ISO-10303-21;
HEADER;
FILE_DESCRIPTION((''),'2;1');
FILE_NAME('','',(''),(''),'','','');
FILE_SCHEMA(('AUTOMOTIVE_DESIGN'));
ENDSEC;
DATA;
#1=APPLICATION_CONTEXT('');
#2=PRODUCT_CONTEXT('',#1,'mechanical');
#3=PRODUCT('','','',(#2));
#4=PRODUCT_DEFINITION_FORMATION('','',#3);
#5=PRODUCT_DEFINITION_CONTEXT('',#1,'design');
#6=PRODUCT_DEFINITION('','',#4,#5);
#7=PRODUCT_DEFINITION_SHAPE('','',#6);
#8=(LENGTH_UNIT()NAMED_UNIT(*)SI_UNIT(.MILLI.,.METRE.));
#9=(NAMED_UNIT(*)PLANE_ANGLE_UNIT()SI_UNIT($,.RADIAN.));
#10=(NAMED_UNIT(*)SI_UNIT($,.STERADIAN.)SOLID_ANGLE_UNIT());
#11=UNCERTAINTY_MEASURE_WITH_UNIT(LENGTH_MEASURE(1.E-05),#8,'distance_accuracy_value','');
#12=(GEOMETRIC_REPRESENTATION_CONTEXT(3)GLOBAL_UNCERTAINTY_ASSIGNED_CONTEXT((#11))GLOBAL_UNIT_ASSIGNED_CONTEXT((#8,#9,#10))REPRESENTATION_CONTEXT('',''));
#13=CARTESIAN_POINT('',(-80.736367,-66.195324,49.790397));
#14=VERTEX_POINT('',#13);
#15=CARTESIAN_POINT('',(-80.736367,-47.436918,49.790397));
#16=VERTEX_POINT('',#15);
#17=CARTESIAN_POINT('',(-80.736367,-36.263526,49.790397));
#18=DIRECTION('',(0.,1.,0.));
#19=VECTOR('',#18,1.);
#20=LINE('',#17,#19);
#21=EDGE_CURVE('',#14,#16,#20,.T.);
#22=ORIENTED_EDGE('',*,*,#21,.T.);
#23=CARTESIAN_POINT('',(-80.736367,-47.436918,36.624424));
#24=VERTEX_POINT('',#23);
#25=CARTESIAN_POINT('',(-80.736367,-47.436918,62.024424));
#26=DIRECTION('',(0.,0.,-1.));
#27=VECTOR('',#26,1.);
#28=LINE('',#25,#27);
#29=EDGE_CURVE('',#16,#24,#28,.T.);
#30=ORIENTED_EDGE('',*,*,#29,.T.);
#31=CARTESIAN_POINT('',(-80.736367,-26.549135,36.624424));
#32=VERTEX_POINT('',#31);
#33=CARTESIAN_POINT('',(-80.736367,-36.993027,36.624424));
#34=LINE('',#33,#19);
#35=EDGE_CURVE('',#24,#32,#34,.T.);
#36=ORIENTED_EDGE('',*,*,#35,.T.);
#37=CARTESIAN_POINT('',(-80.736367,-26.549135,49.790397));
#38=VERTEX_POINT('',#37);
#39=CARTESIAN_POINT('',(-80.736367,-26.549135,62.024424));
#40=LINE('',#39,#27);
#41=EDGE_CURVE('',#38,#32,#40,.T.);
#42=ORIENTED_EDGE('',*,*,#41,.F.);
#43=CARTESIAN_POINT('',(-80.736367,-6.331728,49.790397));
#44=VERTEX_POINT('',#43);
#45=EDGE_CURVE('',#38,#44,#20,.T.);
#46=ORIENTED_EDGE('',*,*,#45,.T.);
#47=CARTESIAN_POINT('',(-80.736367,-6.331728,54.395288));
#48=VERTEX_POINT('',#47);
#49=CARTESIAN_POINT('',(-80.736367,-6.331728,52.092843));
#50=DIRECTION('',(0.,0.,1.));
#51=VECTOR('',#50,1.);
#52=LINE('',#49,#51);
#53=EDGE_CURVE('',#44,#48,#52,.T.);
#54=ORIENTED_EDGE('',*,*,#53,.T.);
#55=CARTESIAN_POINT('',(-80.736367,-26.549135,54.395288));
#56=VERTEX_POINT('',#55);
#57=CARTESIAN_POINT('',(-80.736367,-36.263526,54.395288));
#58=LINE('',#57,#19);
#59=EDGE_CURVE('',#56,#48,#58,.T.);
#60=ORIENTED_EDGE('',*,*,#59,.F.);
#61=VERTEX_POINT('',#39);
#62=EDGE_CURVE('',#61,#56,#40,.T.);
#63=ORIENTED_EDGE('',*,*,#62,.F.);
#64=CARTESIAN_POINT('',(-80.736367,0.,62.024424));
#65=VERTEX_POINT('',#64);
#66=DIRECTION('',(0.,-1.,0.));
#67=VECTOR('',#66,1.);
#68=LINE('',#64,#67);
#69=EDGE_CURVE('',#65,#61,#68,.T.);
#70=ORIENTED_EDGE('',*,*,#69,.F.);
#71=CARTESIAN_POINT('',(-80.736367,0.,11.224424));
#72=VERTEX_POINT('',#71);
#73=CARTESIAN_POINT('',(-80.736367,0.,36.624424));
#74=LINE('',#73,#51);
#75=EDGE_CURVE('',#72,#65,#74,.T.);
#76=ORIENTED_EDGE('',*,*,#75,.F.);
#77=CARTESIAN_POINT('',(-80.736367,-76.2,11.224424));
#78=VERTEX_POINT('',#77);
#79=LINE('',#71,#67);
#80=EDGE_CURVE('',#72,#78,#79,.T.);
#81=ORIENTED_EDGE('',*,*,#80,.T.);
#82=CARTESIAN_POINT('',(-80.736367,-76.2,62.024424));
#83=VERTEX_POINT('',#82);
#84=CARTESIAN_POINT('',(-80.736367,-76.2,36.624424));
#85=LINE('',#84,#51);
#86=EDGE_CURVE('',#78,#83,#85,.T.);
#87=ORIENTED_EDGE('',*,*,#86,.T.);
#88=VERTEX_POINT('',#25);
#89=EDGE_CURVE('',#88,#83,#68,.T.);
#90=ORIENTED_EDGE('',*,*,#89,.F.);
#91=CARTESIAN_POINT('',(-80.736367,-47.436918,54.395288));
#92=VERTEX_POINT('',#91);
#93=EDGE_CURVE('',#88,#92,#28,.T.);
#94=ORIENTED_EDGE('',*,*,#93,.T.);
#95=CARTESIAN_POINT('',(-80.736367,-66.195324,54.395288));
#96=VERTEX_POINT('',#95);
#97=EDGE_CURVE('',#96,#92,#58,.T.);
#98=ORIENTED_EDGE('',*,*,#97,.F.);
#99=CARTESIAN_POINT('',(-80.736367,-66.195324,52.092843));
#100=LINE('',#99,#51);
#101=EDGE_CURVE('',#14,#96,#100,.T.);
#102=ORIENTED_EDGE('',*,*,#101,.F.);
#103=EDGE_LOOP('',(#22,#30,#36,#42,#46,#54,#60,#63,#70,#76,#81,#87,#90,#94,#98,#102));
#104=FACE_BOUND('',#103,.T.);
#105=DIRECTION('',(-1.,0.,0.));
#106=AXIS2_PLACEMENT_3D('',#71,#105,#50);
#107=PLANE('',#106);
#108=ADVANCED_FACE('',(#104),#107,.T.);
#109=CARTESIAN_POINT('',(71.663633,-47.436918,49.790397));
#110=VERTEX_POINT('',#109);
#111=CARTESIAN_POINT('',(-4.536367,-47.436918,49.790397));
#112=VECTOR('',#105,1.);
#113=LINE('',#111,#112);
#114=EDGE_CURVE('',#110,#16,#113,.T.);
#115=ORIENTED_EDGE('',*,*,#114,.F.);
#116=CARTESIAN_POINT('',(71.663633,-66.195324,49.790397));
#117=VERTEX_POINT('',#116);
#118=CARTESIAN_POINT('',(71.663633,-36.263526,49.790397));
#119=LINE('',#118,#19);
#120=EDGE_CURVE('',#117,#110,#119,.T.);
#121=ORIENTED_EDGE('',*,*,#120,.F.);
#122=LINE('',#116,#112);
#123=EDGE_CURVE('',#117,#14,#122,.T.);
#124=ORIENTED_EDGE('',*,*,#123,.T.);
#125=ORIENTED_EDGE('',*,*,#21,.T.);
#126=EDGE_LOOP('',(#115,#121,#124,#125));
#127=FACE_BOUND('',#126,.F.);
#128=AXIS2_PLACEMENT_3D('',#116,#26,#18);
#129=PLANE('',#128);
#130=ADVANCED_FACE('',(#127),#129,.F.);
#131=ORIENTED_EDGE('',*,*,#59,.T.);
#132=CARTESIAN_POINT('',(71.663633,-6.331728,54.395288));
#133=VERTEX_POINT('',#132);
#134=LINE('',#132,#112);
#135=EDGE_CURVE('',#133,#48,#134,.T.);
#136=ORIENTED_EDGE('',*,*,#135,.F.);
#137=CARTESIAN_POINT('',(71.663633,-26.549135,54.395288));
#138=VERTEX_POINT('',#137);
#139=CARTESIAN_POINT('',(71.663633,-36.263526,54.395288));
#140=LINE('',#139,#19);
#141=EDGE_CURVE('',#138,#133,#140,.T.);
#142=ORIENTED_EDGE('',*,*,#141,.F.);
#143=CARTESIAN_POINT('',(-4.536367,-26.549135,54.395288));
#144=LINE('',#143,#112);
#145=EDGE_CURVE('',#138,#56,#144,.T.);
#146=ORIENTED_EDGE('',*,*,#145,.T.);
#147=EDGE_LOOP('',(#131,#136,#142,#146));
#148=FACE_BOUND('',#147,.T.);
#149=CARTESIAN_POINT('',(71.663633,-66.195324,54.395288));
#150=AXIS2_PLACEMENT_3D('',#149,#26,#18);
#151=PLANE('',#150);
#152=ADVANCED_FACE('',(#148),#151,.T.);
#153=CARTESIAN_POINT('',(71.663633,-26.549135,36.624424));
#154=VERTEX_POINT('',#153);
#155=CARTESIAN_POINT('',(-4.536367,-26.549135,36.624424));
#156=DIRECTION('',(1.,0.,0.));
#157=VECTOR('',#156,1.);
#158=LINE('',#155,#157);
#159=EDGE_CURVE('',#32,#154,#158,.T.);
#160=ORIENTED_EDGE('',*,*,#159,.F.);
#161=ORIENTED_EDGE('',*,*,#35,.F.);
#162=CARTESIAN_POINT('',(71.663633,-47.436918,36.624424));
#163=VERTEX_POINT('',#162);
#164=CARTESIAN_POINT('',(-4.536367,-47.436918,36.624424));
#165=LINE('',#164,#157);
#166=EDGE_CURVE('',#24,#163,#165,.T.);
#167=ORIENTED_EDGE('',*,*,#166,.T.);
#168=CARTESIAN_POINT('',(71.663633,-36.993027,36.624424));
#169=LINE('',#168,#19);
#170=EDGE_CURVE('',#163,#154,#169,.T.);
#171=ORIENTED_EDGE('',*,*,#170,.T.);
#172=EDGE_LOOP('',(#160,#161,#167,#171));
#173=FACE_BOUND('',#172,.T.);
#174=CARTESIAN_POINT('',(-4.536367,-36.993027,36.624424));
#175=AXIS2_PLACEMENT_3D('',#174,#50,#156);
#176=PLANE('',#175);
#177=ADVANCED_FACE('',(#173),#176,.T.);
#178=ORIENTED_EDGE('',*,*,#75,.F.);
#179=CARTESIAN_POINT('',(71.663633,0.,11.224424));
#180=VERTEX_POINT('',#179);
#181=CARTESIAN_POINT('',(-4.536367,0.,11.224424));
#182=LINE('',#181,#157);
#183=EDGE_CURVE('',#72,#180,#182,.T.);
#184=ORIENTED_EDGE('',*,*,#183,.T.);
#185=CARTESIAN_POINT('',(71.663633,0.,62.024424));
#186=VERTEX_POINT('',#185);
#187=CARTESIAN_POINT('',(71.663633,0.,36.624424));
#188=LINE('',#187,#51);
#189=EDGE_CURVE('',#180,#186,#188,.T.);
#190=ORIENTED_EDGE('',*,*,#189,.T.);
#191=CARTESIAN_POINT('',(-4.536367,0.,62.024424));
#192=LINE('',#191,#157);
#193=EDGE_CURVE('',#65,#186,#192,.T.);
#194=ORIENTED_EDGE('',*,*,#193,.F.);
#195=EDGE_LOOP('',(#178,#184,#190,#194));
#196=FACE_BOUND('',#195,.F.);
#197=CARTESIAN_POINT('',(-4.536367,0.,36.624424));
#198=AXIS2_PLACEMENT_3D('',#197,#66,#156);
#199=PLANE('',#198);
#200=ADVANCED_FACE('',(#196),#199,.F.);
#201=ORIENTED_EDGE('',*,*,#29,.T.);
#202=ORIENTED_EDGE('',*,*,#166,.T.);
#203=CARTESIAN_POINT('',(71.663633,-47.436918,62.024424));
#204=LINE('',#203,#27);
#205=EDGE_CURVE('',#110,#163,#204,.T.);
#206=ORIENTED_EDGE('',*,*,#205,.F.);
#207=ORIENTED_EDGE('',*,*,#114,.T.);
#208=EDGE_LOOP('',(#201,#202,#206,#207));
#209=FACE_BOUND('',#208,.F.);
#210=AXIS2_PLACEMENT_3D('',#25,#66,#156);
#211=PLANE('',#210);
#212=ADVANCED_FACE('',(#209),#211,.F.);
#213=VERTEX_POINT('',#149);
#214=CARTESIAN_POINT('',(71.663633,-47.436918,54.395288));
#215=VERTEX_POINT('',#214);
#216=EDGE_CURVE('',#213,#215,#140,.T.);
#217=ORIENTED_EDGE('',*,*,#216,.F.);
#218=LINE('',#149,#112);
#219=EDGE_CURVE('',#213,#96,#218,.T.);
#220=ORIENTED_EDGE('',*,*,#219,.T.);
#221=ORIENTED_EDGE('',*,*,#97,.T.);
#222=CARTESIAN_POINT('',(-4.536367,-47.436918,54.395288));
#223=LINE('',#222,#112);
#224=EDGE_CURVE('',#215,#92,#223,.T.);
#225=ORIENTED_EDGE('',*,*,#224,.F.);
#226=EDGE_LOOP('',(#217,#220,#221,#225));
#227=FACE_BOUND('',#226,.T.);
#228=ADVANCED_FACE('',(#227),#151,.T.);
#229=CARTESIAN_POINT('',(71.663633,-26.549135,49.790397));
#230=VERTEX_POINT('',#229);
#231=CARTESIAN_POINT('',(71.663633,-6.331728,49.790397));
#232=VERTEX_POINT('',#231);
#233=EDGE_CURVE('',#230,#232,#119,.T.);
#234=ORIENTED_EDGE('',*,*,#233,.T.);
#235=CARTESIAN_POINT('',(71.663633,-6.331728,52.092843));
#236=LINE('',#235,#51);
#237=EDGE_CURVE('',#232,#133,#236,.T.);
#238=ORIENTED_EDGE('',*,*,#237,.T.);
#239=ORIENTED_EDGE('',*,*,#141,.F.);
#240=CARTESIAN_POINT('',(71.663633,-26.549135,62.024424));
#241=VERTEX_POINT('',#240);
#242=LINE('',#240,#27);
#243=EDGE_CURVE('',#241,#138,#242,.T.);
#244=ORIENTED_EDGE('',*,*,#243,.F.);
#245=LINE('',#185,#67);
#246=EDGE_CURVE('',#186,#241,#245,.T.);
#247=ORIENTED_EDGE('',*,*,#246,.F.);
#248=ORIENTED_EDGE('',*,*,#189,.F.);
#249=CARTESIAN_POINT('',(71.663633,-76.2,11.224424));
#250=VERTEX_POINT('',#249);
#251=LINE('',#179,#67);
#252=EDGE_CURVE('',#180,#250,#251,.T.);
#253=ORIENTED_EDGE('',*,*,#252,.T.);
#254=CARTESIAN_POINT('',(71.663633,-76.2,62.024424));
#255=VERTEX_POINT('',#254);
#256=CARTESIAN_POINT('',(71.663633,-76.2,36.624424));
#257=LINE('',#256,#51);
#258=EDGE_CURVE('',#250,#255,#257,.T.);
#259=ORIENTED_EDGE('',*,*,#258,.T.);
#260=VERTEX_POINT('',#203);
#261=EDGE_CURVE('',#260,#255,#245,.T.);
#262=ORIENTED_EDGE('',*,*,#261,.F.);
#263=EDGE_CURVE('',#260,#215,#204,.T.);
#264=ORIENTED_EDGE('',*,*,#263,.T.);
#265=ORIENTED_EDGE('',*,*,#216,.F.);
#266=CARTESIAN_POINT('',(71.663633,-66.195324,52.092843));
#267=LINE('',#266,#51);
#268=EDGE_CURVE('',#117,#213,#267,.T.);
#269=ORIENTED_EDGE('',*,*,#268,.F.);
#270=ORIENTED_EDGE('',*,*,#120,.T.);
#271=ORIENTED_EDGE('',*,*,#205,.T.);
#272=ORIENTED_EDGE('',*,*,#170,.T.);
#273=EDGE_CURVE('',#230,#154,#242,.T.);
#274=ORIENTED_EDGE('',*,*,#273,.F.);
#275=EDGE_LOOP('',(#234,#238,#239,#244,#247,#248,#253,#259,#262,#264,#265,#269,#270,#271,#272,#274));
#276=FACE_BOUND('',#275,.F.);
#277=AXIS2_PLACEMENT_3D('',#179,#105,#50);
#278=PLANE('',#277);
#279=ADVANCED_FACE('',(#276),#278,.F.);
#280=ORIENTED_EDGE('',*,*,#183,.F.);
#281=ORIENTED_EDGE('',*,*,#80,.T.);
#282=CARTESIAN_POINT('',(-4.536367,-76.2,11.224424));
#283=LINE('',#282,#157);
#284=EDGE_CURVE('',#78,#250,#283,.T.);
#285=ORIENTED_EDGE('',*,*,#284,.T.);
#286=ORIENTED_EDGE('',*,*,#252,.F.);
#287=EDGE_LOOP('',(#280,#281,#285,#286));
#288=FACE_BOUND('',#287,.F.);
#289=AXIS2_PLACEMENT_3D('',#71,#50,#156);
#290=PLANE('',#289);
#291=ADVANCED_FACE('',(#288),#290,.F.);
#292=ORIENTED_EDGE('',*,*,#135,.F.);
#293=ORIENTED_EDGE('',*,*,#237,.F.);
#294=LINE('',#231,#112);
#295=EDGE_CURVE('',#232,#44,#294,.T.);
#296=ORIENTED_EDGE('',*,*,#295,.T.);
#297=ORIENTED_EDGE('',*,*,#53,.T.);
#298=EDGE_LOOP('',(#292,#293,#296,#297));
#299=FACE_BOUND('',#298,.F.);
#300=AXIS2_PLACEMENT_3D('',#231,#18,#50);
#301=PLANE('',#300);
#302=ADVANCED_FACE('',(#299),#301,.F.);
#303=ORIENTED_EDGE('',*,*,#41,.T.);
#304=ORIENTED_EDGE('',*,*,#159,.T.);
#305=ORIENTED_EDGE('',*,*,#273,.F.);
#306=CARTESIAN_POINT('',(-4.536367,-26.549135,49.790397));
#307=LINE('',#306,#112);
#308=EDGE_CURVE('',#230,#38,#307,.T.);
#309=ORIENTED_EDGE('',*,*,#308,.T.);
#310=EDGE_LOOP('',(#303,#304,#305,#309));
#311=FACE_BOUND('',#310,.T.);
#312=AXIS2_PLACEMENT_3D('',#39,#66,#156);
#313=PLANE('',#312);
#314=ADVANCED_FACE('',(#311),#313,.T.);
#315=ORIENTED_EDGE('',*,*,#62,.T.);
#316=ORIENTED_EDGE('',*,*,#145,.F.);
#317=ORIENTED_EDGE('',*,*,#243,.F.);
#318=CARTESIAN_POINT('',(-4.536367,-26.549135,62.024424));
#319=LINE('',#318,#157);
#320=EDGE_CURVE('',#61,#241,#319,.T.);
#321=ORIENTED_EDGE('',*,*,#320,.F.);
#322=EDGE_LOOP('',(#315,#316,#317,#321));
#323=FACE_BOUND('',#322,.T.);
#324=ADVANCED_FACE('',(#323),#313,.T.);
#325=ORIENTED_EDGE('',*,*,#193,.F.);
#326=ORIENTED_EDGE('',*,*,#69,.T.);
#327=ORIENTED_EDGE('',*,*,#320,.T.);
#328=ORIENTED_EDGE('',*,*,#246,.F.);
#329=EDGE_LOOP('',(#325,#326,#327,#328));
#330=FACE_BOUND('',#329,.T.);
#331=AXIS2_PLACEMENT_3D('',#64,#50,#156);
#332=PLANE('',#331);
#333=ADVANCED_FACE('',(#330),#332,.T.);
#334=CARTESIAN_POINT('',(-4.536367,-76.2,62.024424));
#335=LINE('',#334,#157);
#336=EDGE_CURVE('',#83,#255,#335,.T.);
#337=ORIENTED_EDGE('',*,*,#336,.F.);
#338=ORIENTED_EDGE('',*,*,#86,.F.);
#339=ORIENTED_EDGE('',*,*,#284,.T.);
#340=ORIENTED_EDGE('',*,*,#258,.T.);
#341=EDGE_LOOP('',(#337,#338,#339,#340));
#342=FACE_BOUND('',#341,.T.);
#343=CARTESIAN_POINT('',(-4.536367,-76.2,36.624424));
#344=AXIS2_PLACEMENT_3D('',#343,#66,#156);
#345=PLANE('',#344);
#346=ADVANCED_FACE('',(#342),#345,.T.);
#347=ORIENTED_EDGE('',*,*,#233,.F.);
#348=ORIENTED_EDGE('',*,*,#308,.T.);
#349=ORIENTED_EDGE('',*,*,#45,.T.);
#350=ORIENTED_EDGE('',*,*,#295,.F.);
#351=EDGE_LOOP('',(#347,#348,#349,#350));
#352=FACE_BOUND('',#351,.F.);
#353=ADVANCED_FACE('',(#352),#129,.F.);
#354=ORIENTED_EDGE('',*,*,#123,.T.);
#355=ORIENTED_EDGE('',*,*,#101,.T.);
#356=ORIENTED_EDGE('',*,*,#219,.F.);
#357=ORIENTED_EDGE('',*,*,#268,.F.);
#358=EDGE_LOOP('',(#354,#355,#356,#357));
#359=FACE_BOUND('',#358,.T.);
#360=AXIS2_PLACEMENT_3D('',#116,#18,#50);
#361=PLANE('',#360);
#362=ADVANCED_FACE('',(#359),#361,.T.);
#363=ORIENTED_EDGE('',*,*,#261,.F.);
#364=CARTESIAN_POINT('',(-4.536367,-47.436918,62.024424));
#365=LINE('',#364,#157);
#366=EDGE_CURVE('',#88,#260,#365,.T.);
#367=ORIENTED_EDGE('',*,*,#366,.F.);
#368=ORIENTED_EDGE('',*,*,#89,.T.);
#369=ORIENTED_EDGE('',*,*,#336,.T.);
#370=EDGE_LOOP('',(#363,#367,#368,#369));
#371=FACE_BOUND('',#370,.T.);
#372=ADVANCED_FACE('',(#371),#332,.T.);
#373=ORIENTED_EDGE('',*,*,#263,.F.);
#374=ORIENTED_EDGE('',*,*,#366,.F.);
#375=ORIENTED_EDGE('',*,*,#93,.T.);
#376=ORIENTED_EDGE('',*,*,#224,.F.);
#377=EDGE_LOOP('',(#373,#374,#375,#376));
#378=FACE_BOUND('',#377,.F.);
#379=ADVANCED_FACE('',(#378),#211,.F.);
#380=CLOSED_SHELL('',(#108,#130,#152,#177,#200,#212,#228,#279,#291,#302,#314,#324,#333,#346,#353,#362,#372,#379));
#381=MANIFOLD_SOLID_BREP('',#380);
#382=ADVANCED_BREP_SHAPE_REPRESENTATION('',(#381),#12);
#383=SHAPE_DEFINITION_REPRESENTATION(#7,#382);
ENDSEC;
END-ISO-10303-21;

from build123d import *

# Parameters (mm, degrees)
F0_W     = 152.4
F0_H     = 50.8
F1_DEPTH = 76.2
F2_W     = 59.863596
F2_H     = 4.604891
F3_DEPTH = 152.4
F4_W     = 152.4
F4_H     = 20.887783
F5_DEPTH = 25.4


with BuildPart() as f1:
    # F0 (on Front) → F1 (new body)
    with BuildSketch(Plane.XZ):
        with Locations((-4.536367, 36.624424)):
            Rectangle(F0_W, F0_H)
    extrude(amount=F1_DEPTH)

    # F2 (on face) → F3 (cut, through all)
    with BuildSketch(Plane.YZ.offset(71.663633)):
        with Locations((-36.263526, 52.092843)):
            Rectangle(F2_W, F2_H)
    extrude(amount=-F3_DEPTH, mode=Mode.SUBTRACT)

    # F4 (on face) → F5 (cut)
    with BuildSketch(Plane.XY.offset(62.024424)):
        with Locations((-4.536367, -36.993027)):
            Rectangle(F4_W, F4_H)
    extrude(amount=-F5_DEPTH, mode=Mode.SUBTRACT)


solid = f1.part
